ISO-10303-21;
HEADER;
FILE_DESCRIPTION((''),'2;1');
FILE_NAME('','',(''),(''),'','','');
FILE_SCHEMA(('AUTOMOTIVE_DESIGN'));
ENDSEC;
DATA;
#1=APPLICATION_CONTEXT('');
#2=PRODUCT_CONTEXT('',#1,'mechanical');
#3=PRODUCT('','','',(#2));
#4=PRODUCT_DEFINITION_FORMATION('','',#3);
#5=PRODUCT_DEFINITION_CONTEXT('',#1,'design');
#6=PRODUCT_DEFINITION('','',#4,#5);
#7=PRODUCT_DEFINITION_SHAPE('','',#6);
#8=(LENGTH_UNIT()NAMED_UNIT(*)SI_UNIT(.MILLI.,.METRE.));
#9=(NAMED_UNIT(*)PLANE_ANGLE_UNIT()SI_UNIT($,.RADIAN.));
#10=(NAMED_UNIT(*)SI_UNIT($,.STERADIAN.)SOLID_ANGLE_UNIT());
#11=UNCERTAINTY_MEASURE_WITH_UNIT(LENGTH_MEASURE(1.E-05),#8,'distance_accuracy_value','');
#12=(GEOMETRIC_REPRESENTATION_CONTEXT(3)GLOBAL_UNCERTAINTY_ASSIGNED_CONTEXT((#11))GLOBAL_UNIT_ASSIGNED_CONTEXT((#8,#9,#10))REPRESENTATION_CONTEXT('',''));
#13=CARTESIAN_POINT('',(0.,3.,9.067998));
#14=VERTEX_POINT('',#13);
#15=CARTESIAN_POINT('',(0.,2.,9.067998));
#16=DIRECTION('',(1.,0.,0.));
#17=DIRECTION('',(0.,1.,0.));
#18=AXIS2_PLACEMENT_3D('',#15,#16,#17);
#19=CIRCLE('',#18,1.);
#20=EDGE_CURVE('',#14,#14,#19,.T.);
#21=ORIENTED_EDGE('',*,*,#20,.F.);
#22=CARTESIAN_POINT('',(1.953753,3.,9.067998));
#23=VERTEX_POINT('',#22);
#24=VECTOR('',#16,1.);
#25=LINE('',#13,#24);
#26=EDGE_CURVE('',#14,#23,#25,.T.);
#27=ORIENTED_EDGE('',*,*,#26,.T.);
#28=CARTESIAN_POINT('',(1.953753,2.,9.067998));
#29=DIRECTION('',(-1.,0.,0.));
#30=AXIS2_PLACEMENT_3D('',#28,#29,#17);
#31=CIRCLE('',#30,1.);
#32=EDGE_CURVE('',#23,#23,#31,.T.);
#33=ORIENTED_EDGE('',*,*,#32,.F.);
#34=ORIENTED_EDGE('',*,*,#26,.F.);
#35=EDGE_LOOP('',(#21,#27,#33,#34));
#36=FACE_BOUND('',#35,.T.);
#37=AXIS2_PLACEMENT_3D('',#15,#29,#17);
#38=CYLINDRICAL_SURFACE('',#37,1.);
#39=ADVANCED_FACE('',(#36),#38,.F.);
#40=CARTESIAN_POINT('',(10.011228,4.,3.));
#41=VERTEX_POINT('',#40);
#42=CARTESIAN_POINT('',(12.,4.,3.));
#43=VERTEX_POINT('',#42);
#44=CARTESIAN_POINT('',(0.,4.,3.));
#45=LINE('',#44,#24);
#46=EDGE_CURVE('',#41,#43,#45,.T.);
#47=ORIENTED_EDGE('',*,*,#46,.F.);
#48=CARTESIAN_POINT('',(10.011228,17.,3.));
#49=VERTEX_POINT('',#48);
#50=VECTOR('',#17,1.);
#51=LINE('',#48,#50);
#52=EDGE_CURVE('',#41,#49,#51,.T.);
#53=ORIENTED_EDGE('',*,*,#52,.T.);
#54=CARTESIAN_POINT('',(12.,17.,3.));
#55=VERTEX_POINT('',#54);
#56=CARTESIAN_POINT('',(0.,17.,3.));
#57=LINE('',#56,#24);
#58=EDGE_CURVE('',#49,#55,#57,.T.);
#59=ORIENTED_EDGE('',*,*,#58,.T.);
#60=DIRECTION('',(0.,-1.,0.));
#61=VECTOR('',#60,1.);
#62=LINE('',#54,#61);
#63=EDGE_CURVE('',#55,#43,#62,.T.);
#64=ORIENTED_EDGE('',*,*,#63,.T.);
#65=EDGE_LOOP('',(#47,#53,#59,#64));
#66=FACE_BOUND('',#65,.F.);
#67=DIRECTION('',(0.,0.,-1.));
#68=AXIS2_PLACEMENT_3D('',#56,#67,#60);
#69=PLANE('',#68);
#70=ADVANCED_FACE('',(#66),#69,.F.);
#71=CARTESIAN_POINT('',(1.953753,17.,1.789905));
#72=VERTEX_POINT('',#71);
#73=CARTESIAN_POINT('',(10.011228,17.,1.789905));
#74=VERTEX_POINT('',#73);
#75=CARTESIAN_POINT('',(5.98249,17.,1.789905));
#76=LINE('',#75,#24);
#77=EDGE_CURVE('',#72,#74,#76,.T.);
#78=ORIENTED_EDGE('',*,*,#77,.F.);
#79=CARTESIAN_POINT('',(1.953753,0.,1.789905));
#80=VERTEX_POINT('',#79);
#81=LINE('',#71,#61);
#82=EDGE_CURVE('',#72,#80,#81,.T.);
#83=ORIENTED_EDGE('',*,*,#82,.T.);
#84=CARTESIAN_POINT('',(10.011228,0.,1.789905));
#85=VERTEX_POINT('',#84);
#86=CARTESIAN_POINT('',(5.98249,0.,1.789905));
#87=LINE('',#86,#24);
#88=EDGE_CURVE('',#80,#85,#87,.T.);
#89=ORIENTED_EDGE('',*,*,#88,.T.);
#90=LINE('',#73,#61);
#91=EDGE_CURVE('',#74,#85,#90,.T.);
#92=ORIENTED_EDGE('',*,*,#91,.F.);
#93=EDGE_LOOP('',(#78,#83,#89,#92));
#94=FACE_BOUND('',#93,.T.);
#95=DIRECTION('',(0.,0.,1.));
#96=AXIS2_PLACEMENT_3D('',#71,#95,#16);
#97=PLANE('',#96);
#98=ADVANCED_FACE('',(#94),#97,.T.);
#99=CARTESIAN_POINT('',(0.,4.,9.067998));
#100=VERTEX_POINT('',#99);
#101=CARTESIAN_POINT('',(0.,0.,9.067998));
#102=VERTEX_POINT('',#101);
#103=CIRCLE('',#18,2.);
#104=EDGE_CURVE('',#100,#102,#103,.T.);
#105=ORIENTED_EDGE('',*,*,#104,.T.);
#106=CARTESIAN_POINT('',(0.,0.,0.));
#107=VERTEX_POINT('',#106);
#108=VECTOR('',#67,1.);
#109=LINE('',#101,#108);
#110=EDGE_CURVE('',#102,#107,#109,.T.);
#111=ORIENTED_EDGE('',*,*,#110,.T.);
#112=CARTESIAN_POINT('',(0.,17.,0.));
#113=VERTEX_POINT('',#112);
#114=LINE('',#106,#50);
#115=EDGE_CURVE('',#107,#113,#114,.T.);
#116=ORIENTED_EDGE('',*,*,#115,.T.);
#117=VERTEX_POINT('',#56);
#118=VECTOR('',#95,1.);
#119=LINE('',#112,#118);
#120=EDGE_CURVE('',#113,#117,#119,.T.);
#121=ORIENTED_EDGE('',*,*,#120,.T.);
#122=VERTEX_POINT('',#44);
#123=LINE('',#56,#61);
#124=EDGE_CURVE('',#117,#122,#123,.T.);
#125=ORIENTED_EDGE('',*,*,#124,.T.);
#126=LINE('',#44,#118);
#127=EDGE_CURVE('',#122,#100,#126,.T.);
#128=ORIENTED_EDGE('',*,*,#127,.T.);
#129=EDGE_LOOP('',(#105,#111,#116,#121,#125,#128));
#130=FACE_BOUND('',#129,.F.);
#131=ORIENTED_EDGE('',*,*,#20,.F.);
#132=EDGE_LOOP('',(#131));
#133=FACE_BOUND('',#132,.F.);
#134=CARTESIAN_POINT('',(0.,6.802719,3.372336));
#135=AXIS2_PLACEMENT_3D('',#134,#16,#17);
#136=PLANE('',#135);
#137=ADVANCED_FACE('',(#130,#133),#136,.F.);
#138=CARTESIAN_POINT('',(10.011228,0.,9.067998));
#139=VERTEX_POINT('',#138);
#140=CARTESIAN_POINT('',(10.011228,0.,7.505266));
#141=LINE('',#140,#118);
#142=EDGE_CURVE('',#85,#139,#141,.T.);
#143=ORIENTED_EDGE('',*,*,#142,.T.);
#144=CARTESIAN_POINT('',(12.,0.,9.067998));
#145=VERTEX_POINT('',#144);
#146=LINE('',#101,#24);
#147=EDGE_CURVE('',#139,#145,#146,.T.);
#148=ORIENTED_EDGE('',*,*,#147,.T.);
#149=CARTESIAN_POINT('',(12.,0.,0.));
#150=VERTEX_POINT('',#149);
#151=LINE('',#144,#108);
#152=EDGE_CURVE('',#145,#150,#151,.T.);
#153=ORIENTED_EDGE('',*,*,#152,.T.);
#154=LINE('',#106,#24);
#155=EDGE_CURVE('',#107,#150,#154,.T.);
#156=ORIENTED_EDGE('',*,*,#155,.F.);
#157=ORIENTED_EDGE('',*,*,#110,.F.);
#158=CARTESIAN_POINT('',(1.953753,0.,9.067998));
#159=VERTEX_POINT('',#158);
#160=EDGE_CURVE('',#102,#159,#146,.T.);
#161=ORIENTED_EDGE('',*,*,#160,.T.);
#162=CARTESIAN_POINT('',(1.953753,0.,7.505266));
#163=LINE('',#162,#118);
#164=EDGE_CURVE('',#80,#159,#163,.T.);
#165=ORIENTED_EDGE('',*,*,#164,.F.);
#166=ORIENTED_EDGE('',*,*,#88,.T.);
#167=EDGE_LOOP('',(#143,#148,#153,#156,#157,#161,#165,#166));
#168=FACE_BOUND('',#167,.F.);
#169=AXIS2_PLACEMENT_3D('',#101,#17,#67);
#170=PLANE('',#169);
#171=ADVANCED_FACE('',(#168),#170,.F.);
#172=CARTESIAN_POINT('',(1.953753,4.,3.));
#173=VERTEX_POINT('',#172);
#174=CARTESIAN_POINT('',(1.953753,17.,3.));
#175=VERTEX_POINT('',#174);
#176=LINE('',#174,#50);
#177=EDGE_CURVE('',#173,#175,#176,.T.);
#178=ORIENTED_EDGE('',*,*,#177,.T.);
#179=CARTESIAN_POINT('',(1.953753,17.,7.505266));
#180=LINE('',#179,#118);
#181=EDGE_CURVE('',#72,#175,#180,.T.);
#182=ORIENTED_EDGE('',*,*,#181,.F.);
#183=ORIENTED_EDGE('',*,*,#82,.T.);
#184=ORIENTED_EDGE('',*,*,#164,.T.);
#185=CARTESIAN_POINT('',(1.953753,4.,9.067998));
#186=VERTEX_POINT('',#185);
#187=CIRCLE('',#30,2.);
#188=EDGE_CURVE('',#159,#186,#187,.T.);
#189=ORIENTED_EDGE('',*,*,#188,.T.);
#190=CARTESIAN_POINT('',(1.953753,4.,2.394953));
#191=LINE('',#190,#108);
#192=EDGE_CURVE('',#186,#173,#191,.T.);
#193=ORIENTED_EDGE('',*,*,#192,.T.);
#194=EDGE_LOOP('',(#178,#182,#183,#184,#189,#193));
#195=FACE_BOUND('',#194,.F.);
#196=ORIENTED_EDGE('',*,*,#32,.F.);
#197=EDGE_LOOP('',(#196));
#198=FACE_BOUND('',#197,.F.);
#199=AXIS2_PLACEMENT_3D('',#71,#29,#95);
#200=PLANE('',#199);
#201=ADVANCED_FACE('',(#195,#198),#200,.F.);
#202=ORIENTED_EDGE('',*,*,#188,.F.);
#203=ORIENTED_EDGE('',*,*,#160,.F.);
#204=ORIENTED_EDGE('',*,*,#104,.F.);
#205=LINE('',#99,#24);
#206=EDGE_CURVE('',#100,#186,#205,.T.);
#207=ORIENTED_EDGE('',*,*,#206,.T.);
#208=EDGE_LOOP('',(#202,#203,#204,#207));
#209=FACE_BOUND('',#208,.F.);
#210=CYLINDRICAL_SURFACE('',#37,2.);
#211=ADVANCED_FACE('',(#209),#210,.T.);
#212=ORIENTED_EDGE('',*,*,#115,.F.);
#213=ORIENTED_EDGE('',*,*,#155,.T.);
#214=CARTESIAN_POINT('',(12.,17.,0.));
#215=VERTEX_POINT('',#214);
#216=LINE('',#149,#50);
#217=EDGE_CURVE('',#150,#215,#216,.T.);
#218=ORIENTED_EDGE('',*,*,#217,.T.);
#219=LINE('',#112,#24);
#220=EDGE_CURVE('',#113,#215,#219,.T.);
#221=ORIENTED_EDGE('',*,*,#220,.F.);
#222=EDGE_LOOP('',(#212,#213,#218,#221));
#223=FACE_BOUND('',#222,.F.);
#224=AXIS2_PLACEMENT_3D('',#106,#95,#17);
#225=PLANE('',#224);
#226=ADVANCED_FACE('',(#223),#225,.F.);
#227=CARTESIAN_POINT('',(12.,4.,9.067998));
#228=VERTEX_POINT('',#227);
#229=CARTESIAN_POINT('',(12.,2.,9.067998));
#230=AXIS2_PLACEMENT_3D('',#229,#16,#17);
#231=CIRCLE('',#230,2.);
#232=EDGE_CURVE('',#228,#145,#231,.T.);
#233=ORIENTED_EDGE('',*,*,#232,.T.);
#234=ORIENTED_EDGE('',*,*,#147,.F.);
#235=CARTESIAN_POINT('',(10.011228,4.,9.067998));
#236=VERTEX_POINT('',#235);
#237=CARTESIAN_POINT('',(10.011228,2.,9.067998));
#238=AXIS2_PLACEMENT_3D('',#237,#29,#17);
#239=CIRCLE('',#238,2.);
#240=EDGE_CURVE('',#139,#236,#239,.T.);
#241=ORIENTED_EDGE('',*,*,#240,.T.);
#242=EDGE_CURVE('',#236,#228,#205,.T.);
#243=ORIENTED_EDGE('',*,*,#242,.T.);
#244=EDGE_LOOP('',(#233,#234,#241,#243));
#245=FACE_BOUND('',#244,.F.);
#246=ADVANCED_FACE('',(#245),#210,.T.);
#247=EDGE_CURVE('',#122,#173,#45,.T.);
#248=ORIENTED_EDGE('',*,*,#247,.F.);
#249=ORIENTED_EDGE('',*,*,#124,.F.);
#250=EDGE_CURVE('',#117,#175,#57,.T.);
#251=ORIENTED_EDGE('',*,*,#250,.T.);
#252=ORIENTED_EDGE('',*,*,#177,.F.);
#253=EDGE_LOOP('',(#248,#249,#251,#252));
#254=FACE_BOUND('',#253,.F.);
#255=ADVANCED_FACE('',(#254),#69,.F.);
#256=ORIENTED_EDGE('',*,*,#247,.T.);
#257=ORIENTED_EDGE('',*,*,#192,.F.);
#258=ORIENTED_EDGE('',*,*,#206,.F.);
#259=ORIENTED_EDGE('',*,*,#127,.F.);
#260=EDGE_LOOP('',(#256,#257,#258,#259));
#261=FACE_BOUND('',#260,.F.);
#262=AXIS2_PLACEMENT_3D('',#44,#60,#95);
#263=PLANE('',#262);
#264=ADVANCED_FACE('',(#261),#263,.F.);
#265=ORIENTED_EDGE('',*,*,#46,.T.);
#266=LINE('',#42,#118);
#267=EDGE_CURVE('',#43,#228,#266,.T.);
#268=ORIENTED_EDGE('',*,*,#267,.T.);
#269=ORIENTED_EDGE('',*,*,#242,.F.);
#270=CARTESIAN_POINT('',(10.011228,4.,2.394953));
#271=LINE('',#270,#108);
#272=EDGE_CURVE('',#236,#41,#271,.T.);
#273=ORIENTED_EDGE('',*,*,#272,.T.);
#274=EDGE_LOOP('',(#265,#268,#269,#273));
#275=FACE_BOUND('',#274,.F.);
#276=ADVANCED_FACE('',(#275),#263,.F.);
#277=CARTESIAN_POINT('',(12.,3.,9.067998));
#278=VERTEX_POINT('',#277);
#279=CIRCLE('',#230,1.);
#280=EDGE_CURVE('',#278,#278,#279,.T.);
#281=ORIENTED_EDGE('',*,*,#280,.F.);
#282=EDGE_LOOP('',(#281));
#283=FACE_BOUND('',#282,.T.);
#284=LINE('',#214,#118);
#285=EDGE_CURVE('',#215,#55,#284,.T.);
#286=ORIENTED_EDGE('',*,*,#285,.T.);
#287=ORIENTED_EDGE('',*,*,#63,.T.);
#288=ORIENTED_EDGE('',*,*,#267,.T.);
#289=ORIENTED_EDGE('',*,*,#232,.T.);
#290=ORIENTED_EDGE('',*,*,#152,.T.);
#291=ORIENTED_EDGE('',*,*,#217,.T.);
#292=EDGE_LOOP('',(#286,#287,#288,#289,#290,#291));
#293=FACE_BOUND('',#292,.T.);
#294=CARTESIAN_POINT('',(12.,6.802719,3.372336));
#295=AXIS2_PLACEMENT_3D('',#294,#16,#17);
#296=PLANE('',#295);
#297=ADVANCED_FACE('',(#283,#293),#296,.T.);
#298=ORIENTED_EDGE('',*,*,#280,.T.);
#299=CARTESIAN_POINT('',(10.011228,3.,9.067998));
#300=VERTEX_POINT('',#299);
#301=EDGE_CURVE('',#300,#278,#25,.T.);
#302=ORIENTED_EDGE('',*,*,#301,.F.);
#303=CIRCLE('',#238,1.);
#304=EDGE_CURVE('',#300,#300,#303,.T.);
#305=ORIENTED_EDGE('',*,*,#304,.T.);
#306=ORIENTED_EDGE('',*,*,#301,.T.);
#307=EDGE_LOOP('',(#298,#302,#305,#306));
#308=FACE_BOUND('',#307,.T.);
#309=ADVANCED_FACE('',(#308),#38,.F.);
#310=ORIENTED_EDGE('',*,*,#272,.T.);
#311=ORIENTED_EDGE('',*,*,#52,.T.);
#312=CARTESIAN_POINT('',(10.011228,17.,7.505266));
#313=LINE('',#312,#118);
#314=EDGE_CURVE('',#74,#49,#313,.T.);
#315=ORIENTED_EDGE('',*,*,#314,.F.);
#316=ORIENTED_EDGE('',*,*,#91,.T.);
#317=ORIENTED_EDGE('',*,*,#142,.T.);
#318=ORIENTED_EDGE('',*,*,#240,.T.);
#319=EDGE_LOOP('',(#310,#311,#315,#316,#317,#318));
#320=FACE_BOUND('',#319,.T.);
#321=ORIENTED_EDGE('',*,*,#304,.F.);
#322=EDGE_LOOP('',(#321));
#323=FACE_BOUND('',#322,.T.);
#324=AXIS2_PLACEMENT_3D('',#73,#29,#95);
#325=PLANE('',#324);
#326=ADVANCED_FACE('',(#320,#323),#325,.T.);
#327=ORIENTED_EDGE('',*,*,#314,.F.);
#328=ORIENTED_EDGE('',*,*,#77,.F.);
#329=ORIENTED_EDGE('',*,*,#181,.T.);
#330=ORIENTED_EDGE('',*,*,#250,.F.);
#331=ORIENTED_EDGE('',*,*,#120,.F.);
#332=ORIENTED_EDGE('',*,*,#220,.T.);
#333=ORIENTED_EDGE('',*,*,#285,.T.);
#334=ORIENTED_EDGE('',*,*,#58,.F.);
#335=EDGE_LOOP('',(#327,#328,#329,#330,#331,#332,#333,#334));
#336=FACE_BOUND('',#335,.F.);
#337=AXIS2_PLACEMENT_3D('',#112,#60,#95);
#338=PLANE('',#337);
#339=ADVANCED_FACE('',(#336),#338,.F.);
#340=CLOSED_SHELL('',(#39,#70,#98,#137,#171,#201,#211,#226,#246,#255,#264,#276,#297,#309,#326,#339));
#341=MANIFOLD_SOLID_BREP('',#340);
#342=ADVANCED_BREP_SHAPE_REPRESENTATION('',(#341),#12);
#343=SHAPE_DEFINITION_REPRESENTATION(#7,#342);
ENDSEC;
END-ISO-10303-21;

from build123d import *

# Parameters (mm, degrees)
SKETCH_R     = 1
PAD_DEPTH    = 12
SKETCH002_W  = 11.430722
SKETCH002_H  = 8.057475
POCKET_DEPTH = 17


with BuildPart() as part:
    # Sketch → Pad (new body)
    with BuildSketch(Plane.YZ):
        with BuildLine():
            Line((0, 0), (17, 0))
            Line((17, 0), (17, 3))
            Line((17, 3), (4, 3))
            Line((4, 3), (4, 9.067998))
            ThreePointArc((4, 9.067998), (2, 11.067998), (0, 9.067998))
            Line((0, 9.067998), (0, 0))
        make_face()
        with Locations((2, 9.067998)):
            Circle(SKETCH_R, mode=Mode.SUBTRACT)
    extrude(amount=PAD_DEPTH)

    # Sketch002 (on Face2 of Pad) → Pocket (cut)
    with BuildSketch(Plane.ZX.offset(17)):
        with Locations((7.505266, 5.98249)):
            Rectangle(SKETCH002_W, SKETCH002_H)
    extrude(amount=-POCKET_DEPTH, mode=Mode.SUBTRACT)


solid = part.part
